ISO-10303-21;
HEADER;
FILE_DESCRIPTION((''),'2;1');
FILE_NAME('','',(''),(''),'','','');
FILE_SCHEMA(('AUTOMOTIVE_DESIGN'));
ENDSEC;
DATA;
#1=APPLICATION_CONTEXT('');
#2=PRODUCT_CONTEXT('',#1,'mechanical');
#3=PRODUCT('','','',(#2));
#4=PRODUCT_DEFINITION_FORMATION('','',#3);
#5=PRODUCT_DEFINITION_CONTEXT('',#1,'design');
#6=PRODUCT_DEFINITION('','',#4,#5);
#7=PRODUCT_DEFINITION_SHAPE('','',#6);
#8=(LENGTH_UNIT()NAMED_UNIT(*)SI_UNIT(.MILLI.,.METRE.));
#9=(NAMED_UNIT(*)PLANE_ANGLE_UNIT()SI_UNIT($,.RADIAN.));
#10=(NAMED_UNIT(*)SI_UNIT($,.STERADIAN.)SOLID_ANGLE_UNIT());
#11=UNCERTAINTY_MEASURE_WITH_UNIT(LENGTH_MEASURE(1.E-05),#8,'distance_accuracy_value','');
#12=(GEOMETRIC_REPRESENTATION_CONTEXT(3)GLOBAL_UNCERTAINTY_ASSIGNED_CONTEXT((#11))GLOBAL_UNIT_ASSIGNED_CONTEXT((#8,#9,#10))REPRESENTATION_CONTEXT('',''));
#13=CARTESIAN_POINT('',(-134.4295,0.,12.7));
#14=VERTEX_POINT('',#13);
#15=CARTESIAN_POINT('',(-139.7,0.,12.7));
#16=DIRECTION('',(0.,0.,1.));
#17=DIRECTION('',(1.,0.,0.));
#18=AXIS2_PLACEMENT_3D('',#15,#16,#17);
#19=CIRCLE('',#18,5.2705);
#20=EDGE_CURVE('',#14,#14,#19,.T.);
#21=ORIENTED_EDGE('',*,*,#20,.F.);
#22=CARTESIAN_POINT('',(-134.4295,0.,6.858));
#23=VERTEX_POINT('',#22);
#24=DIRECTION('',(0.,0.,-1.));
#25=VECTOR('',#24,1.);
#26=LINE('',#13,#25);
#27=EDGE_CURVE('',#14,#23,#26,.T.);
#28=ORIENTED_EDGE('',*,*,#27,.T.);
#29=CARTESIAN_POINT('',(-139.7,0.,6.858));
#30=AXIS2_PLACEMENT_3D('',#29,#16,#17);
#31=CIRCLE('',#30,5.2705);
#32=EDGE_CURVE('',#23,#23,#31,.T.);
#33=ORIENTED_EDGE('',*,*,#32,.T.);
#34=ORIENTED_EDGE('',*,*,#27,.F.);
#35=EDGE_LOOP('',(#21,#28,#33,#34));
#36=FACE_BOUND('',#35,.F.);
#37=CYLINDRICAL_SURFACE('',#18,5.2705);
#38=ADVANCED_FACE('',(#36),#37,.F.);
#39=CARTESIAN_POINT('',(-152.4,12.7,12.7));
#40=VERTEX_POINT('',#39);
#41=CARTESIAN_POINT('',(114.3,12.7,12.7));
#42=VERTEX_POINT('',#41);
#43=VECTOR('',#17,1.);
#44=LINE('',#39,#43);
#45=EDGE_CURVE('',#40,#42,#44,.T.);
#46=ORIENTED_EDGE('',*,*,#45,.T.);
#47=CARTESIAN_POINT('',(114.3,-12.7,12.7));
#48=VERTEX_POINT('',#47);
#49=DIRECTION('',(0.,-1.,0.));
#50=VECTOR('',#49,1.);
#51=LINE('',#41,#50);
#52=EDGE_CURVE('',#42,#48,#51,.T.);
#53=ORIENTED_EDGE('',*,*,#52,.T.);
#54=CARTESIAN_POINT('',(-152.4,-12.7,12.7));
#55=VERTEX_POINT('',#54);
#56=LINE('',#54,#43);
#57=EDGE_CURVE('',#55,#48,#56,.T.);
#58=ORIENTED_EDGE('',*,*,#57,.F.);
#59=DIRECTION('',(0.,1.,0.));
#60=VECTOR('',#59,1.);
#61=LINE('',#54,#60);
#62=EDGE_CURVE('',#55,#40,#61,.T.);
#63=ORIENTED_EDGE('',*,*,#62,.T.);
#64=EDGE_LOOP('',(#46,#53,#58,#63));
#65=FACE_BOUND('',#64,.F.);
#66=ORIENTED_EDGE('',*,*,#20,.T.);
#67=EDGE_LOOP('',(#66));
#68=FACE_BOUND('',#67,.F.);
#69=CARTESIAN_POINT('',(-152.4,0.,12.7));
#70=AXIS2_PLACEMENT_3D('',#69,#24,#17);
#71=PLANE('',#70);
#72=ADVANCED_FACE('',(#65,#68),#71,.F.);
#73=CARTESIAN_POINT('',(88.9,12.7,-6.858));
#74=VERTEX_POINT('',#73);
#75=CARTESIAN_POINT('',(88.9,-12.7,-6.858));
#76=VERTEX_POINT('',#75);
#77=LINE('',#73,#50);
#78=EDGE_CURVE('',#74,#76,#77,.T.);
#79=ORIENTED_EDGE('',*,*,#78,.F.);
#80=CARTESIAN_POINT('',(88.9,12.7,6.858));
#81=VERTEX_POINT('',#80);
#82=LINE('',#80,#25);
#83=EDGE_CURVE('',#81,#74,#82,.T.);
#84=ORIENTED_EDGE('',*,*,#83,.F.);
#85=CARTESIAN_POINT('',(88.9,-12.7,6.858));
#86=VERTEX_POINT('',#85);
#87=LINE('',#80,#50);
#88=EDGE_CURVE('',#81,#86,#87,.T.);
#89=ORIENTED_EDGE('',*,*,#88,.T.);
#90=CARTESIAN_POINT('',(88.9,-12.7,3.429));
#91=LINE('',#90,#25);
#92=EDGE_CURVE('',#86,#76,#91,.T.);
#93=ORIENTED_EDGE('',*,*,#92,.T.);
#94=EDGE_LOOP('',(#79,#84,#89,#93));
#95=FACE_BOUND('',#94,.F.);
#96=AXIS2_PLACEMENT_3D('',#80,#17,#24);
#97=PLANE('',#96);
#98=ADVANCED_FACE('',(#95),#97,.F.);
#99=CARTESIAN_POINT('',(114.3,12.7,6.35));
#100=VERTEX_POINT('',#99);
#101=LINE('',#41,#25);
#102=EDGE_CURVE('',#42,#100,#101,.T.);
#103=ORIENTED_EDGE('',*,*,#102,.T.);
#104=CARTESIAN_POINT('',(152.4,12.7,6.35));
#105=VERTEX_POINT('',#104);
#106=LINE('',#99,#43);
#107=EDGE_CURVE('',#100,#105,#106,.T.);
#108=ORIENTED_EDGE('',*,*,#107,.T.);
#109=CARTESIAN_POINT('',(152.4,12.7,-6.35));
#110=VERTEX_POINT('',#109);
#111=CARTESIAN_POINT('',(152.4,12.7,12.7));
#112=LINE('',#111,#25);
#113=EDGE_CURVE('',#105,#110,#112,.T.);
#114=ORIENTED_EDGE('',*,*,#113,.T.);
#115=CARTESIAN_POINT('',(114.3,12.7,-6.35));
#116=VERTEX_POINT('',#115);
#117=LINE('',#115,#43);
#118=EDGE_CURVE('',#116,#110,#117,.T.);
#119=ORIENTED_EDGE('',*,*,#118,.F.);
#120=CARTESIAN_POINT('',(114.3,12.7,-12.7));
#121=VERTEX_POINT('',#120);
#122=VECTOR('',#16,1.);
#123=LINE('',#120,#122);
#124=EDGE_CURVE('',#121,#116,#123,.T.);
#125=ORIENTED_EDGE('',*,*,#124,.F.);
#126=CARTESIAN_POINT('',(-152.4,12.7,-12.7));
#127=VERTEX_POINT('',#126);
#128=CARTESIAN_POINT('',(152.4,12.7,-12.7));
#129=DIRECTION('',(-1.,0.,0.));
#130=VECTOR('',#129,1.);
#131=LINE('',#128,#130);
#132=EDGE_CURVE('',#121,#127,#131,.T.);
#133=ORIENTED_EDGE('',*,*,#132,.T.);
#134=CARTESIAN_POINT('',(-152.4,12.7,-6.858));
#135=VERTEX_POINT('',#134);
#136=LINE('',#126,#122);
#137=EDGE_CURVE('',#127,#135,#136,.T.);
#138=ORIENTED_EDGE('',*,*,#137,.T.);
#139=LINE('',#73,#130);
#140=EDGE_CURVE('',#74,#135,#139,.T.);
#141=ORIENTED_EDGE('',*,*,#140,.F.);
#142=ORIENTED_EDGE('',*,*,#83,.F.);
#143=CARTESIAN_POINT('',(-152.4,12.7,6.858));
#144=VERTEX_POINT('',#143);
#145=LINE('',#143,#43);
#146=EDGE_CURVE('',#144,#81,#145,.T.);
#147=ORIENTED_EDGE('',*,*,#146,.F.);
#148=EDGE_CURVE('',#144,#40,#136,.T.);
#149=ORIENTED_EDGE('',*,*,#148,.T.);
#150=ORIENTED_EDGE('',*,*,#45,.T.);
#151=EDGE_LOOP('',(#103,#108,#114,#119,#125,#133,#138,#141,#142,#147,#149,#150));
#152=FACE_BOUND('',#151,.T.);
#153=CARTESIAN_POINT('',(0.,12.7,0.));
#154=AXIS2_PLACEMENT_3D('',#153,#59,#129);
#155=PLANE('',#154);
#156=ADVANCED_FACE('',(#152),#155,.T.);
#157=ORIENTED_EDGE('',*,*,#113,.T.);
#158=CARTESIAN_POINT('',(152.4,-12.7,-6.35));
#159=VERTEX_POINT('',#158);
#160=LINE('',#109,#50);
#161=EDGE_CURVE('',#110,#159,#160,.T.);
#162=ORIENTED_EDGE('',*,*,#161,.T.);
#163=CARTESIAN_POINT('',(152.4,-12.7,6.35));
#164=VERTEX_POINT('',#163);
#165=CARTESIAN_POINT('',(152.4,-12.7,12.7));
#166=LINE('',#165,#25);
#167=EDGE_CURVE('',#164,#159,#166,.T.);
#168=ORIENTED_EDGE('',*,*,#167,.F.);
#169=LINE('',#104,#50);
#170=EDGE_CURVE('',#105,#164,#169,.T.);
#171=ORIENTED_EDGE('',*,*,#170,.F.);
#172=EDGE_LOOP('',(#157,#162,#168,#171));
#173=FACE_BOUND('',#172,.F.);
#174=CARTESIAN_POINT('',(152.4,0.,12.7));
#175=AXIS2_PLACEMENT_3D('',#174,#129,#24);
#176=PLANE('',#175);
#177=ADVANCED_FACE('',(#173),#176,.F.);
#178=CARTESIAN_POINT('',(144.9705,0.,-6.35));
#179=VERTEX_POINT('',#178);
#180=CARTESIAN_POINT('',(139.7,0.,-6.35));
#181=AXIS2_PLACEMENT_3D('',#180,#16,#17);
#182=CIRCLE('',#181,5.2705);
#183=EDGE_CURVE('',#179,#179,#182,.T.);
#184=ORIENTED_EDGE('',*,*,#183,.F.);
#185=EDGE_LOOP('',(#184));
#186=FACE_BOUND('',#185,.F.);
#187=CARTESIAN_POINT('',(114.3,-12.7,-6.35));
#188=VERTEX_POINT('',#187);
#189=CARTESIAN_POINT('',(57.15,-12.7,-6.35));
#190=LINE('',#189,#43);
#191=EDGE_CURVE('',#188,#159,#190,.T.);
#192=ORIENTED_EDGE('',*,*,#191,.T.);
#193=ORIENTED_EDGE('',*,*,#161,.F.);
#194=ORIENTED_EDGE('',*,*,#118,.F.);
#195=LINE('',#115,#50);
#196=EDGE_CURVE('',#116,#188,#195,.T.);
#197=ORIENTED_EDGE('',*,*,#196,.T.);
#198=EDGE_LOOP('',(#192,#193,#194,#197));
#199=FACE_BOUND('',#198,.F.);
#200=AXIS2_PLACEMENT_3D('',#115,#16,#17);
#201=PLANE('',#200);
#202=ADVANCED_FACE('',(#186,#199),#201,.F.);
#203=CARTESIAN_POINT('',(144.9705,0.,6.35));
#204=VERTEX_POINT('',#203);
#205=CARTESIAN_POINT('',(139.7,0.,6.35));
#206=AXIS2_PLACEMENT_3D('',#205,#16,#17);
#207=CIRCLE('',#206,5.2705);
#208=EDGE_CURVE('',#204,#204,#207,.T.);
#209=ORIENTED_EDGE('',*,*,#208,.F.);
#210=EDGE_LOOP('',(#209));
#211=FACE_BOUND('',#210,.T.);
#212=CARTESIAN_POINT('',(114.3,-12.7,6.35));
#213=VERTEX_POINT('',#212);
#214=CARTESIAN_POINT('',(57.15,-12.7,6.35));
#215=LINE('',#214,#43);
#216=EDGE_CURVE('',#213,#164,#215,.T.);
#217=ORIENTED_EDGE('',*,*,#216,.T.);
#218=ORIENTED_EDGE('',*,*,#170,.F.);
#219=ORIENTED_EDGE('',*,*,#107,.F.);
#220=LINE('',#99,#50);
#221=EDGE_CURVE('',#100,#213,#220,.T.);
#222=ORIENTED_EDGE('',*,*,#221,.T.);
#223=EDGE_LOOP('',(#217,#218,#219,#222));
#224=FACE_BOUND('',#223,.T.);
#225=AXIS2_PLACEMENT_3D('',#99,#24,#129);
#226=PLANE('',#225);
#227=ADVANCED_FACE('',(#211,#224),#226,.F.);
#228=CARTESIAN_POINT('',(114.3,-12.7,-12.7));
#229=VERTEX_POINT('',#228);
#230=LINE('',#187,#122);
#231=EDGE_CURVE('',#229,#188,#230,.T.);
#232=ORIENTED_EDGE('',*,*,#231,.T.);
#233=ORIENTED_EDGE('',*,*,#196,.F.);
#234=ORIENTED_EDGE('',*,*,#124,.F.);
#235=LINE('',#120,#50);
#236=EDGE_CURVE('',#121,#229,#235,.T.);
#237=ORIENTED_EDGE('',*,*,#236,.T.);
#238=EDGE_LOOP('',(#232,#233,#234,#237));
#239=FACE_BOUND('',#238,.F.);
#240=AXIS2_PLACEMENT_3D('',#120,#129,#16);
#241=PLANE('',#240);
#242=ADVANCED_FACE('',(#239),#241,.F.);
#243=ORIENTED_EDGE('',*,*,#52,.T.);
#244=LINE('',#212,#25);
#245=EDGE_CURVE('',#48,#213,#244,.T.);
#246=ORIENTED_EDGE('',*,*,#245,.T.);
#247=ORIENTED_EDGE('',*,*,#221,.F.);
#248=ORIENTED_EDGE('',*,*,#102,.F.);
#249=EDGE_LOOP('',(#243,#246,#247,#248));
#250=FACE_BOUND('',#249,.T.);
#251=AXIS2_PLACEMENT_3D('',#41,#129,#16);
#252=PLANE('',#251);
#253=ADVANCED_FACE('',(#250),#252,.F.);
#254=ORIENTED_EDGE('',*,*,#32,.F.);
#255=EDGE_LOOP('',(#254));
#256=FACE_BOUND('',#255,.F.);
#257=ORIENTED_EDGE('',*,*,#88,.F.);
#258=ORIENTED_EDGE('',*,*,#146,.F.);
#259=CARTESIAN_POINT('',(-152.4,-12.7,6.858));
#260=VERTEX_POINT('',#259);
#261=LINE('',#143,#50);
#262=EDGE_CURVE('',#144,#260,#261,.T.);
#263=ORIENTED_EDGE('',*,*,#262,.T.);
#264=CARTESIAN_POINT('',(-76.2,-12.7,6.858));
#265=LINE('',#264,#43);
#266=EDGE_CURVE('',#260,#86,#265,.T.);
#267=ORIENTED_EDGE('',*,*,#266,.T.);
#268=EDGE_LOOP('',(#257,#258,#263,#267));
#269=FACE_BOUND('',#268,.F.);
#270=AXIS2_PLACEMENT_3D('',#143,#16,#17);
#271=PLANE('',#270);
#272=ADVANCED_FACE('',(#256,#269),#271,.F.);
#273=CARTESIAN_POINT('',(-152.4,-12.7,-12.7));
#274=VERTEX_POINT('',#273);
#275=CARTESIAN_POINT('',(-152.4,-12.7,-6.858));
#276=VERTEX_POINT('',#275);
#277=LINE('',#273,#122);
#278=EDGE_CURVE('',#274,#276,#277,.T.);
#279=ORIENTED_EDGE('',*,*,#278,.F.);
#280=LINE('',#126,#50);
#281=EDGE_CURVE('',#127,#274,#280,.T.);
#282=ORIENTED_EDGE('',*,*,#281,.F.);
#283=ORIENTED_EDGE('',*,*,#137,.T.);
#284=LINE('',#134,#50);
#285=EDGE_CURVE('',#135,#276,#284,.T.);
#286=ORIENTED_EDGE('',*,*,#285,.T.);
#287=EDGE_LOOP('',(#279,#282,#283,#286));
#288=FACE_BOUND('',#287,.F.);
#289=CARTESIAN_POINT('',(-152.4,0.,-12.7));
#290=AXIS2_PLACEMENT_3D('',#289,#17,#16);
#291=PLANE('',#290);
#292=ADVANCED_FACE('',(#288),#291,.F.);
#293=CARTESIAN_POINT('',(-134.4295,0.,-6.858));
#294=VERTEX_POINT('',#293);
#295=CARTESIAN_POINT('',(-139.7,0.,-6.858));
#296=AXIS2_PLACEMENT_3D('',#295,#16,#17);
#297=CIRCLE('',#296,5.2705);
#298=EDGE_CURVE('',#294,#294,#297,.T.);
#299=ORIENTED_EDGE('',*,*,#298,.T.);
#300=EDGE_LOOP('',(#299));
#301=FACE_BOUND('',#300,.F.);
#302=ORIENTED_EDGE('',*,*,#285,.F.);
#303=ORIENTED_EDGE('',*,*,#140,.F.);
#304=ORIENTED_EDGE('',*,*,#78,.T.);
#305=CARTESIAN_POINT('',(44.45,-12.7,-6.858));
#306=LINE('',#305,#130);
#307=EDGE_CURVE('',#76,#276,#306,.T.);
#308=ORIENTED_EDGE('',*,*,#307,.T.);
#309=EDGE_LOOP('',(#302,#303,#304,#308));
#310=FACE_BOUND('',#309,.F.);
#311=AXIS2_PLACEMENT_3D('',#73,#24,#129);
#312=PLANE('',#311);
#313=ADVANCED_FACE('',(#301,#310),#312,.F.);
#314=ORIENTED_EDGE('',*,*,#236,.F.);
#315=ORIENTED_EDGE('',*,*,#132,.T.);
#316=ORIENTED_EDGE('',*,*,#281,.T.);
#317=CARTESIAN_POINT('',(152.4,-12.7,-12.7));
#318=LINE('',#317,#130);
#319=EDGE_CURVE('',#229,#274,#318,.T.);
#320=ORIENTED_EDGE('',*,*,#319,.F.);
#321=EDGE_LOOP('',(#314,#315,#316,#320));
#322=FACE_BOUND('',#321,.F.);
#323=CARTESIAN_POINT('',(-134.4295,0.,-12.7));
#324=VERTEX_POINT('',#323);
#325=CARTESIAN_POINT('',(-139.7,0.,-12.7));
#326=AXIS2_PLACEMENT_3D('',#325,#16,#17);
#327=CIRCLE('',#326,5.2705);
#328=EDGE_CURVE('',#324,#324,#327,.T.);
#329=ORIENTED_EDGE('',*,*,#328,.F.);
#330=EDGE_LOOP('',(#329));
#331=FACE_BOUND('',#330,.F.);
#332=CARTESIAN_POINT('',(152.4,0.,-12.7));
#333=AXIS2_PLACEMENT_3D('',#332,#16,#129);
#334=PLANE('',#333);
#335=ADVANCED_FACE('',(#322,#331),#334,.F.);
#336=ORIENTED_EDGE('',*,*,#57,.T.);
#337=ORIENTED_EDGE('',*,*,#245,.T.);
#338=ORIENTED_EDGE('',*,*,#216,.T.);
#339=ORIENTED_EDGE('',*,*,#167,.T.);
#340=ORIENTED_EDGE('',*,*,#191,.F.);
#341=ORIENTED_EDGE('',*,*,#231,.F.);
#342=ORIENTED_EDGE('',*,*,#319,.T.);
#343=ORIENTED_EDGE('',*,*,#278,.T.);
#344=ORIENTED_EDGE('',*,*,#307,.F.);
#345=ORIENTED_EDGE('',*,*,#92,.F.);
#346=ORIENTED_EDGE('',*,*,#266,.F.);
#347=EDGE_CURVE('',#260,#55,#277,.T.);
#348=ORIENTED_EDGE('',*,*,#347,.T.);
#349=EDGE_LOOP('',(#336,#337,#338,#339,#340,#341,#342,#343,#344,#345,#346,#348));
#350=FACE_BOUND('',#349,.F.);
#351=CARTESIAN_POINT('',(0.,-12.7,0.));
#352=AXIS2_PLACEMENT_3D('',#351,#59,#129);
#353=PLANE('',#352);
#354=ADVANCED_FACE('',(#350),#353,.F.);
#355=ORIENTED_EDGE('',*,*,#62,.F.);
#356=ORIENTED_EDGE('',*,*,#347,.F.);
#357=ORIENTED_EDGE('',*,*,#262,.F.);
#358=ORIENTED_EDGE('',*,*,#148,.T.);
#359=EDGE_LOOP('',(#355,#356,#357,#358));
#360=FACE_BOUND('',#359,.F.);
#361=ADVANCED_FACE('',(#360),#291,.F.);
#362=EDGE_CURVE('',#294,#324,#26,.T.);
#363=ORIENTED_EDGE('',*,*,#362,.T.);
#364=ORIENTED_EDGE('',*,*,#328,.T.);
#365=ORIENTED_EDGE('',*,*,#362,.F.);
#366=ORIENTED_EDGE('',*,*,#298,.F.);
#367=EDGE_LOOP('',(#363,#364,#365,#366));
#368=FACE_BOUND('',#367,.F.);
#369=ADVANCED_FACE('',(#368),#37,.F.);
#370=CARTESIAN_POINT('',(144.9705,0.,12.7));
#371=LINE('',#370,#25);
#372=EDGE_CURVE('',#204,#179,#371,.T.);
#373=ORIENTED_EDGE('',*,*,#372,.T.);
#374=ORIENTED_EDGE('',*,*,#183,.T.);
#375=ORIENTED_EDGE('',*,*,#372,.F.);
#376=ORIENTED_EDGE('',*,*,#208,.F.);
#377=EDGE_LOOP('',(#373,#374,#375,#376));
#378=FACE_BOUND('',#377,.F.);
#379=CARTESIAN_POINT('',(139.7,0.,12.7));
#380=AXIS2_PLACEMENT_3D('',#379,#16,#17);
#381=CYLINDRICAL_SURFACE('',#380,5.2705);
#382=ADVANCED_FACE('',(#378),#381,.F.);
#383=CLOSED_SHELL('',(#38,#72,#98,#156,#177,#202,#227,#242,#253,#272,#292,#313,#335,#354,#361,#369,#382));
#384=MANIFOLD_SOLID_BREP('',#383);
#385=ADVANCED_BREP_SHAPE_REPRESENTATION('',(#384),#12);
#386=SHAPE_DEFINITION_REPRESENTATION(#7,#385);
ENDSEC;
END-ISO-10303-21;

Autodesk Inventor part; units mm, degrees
ref_plane "YZ Plane" through (0, 0, 0) normal (1, 0, 0) x (0, 1, 0)
ref_plane "XZ Plane" through (0, 0, 0) normal (0, 1, 0) x (-1, 0, 0)
sketch "Sketch1" plane through (0, 0, 0) normal (0, 1, 0) x (-1, 0, 0)
  line L0 (152.4, 12.7) -> (-152.4, 12.7)
  line L1 (-152.4, 12.7) -> (-152.4, -12.7)
  line L2 (-152.4, -12.7) -> (152.4, -12.7)
  line L3 (152.4, -12.7) -> (152.4, 12.7)
  line L4 (152.4, 12.7) -> (-152.4, -12.7) construction
  line L5 (-152.4, 12.7) -> (152.4, -12.7) construction
  point P0 (0, 0)
  dimension "d0" = 304.8
  dimension "d1" = 25.4
extrude "Extrusion1" add sketch "Sketch1" along normal mid plane 25.4
sketch "Sketch3" plane through (0, 12.7, 0) normal (0, 1, 0) x (1, 0, 0)
  line L0 (-152.4, -6.858) -> (88.9, -6.858)
  line L1 (88.9, -6.858) -> (88.9, 6.858)
  line L2 (88.9, 6.858) -> (-152.4, 6.858)
  line L3 (-152.4, 6.858) -> (-152.4, -6.858)
  line L4 (-152.4, -6.858) -> (88.9, 6.858) construction
  line L5 (88.9, -6.858) -> (-152.4, 6.858) construction
  line L6 (-152.4, 12.7) -> (-152.4, -12.7) projected
  point P0 (0, 0)
  point P1 (-31.75, 0)
  dimension "d7" = 0
  dimension "d8" = 13.716
  dimension "d9" = 241.3
extrude "Extrusion2" cut sketch "Sketch3" against normal through all
sketch "Sketch4" plane through (0, 12.7, 0) normal (0, 1, 0) x (1, 0, 0)
  line L0 (152.4, 12.7) -> (-152.4, 12.7) projected
  line L1 (152.4, 12.7) -> (114.3, 12.7)
  line L2 (114.3, 12.7) -> (114.3, 6.35)
  line L3 (114.3, 6.35) -> (152.4, 6.35)
  line L4 (152.4, 6.35) -> (152.4, 12.7)
  line L5 (152.4, 0) -> (88.9, 0) construction
  line L6 (88.9, 6.858) -> (88.9, -6.858) construction
  point P0 (0, 0)
  point P1 (114.3, 12.7)
  dimension "d12" = 38.1
  dimension "d13" = 6.35
extrude "Extrusion3" cut sketch "Sketch4" against normal through all
mirror "Mirror1" about plane through (0, 0, 0) normal (0, 0, 1) of "Extrusion3"
sketch "Sketch5" plane through (-152.4, -12.7, 12.7) normal (0, 0, 1) x (1, 0, 0)
  circle A0 centre (12.7, 12.7) radius 5.2705
  circle A1 centre (292.1, 12.7) radius 5.2705
  line L0 (0, 25.4) -> (0, 0) projected
  line L1 (304.8, 25.4) -> (304.8, 0) projected
  point P0 (152.4, 12.7)
  dimension "d16" = 10.541
  dimension "d17" = 12.7
  dimension "d18" = 12.7
extrude "Extrusion4" cut sketch "Sketch5" against normal through all
properties part number "connectingRodV03-8-in" material "PET Plastic"
